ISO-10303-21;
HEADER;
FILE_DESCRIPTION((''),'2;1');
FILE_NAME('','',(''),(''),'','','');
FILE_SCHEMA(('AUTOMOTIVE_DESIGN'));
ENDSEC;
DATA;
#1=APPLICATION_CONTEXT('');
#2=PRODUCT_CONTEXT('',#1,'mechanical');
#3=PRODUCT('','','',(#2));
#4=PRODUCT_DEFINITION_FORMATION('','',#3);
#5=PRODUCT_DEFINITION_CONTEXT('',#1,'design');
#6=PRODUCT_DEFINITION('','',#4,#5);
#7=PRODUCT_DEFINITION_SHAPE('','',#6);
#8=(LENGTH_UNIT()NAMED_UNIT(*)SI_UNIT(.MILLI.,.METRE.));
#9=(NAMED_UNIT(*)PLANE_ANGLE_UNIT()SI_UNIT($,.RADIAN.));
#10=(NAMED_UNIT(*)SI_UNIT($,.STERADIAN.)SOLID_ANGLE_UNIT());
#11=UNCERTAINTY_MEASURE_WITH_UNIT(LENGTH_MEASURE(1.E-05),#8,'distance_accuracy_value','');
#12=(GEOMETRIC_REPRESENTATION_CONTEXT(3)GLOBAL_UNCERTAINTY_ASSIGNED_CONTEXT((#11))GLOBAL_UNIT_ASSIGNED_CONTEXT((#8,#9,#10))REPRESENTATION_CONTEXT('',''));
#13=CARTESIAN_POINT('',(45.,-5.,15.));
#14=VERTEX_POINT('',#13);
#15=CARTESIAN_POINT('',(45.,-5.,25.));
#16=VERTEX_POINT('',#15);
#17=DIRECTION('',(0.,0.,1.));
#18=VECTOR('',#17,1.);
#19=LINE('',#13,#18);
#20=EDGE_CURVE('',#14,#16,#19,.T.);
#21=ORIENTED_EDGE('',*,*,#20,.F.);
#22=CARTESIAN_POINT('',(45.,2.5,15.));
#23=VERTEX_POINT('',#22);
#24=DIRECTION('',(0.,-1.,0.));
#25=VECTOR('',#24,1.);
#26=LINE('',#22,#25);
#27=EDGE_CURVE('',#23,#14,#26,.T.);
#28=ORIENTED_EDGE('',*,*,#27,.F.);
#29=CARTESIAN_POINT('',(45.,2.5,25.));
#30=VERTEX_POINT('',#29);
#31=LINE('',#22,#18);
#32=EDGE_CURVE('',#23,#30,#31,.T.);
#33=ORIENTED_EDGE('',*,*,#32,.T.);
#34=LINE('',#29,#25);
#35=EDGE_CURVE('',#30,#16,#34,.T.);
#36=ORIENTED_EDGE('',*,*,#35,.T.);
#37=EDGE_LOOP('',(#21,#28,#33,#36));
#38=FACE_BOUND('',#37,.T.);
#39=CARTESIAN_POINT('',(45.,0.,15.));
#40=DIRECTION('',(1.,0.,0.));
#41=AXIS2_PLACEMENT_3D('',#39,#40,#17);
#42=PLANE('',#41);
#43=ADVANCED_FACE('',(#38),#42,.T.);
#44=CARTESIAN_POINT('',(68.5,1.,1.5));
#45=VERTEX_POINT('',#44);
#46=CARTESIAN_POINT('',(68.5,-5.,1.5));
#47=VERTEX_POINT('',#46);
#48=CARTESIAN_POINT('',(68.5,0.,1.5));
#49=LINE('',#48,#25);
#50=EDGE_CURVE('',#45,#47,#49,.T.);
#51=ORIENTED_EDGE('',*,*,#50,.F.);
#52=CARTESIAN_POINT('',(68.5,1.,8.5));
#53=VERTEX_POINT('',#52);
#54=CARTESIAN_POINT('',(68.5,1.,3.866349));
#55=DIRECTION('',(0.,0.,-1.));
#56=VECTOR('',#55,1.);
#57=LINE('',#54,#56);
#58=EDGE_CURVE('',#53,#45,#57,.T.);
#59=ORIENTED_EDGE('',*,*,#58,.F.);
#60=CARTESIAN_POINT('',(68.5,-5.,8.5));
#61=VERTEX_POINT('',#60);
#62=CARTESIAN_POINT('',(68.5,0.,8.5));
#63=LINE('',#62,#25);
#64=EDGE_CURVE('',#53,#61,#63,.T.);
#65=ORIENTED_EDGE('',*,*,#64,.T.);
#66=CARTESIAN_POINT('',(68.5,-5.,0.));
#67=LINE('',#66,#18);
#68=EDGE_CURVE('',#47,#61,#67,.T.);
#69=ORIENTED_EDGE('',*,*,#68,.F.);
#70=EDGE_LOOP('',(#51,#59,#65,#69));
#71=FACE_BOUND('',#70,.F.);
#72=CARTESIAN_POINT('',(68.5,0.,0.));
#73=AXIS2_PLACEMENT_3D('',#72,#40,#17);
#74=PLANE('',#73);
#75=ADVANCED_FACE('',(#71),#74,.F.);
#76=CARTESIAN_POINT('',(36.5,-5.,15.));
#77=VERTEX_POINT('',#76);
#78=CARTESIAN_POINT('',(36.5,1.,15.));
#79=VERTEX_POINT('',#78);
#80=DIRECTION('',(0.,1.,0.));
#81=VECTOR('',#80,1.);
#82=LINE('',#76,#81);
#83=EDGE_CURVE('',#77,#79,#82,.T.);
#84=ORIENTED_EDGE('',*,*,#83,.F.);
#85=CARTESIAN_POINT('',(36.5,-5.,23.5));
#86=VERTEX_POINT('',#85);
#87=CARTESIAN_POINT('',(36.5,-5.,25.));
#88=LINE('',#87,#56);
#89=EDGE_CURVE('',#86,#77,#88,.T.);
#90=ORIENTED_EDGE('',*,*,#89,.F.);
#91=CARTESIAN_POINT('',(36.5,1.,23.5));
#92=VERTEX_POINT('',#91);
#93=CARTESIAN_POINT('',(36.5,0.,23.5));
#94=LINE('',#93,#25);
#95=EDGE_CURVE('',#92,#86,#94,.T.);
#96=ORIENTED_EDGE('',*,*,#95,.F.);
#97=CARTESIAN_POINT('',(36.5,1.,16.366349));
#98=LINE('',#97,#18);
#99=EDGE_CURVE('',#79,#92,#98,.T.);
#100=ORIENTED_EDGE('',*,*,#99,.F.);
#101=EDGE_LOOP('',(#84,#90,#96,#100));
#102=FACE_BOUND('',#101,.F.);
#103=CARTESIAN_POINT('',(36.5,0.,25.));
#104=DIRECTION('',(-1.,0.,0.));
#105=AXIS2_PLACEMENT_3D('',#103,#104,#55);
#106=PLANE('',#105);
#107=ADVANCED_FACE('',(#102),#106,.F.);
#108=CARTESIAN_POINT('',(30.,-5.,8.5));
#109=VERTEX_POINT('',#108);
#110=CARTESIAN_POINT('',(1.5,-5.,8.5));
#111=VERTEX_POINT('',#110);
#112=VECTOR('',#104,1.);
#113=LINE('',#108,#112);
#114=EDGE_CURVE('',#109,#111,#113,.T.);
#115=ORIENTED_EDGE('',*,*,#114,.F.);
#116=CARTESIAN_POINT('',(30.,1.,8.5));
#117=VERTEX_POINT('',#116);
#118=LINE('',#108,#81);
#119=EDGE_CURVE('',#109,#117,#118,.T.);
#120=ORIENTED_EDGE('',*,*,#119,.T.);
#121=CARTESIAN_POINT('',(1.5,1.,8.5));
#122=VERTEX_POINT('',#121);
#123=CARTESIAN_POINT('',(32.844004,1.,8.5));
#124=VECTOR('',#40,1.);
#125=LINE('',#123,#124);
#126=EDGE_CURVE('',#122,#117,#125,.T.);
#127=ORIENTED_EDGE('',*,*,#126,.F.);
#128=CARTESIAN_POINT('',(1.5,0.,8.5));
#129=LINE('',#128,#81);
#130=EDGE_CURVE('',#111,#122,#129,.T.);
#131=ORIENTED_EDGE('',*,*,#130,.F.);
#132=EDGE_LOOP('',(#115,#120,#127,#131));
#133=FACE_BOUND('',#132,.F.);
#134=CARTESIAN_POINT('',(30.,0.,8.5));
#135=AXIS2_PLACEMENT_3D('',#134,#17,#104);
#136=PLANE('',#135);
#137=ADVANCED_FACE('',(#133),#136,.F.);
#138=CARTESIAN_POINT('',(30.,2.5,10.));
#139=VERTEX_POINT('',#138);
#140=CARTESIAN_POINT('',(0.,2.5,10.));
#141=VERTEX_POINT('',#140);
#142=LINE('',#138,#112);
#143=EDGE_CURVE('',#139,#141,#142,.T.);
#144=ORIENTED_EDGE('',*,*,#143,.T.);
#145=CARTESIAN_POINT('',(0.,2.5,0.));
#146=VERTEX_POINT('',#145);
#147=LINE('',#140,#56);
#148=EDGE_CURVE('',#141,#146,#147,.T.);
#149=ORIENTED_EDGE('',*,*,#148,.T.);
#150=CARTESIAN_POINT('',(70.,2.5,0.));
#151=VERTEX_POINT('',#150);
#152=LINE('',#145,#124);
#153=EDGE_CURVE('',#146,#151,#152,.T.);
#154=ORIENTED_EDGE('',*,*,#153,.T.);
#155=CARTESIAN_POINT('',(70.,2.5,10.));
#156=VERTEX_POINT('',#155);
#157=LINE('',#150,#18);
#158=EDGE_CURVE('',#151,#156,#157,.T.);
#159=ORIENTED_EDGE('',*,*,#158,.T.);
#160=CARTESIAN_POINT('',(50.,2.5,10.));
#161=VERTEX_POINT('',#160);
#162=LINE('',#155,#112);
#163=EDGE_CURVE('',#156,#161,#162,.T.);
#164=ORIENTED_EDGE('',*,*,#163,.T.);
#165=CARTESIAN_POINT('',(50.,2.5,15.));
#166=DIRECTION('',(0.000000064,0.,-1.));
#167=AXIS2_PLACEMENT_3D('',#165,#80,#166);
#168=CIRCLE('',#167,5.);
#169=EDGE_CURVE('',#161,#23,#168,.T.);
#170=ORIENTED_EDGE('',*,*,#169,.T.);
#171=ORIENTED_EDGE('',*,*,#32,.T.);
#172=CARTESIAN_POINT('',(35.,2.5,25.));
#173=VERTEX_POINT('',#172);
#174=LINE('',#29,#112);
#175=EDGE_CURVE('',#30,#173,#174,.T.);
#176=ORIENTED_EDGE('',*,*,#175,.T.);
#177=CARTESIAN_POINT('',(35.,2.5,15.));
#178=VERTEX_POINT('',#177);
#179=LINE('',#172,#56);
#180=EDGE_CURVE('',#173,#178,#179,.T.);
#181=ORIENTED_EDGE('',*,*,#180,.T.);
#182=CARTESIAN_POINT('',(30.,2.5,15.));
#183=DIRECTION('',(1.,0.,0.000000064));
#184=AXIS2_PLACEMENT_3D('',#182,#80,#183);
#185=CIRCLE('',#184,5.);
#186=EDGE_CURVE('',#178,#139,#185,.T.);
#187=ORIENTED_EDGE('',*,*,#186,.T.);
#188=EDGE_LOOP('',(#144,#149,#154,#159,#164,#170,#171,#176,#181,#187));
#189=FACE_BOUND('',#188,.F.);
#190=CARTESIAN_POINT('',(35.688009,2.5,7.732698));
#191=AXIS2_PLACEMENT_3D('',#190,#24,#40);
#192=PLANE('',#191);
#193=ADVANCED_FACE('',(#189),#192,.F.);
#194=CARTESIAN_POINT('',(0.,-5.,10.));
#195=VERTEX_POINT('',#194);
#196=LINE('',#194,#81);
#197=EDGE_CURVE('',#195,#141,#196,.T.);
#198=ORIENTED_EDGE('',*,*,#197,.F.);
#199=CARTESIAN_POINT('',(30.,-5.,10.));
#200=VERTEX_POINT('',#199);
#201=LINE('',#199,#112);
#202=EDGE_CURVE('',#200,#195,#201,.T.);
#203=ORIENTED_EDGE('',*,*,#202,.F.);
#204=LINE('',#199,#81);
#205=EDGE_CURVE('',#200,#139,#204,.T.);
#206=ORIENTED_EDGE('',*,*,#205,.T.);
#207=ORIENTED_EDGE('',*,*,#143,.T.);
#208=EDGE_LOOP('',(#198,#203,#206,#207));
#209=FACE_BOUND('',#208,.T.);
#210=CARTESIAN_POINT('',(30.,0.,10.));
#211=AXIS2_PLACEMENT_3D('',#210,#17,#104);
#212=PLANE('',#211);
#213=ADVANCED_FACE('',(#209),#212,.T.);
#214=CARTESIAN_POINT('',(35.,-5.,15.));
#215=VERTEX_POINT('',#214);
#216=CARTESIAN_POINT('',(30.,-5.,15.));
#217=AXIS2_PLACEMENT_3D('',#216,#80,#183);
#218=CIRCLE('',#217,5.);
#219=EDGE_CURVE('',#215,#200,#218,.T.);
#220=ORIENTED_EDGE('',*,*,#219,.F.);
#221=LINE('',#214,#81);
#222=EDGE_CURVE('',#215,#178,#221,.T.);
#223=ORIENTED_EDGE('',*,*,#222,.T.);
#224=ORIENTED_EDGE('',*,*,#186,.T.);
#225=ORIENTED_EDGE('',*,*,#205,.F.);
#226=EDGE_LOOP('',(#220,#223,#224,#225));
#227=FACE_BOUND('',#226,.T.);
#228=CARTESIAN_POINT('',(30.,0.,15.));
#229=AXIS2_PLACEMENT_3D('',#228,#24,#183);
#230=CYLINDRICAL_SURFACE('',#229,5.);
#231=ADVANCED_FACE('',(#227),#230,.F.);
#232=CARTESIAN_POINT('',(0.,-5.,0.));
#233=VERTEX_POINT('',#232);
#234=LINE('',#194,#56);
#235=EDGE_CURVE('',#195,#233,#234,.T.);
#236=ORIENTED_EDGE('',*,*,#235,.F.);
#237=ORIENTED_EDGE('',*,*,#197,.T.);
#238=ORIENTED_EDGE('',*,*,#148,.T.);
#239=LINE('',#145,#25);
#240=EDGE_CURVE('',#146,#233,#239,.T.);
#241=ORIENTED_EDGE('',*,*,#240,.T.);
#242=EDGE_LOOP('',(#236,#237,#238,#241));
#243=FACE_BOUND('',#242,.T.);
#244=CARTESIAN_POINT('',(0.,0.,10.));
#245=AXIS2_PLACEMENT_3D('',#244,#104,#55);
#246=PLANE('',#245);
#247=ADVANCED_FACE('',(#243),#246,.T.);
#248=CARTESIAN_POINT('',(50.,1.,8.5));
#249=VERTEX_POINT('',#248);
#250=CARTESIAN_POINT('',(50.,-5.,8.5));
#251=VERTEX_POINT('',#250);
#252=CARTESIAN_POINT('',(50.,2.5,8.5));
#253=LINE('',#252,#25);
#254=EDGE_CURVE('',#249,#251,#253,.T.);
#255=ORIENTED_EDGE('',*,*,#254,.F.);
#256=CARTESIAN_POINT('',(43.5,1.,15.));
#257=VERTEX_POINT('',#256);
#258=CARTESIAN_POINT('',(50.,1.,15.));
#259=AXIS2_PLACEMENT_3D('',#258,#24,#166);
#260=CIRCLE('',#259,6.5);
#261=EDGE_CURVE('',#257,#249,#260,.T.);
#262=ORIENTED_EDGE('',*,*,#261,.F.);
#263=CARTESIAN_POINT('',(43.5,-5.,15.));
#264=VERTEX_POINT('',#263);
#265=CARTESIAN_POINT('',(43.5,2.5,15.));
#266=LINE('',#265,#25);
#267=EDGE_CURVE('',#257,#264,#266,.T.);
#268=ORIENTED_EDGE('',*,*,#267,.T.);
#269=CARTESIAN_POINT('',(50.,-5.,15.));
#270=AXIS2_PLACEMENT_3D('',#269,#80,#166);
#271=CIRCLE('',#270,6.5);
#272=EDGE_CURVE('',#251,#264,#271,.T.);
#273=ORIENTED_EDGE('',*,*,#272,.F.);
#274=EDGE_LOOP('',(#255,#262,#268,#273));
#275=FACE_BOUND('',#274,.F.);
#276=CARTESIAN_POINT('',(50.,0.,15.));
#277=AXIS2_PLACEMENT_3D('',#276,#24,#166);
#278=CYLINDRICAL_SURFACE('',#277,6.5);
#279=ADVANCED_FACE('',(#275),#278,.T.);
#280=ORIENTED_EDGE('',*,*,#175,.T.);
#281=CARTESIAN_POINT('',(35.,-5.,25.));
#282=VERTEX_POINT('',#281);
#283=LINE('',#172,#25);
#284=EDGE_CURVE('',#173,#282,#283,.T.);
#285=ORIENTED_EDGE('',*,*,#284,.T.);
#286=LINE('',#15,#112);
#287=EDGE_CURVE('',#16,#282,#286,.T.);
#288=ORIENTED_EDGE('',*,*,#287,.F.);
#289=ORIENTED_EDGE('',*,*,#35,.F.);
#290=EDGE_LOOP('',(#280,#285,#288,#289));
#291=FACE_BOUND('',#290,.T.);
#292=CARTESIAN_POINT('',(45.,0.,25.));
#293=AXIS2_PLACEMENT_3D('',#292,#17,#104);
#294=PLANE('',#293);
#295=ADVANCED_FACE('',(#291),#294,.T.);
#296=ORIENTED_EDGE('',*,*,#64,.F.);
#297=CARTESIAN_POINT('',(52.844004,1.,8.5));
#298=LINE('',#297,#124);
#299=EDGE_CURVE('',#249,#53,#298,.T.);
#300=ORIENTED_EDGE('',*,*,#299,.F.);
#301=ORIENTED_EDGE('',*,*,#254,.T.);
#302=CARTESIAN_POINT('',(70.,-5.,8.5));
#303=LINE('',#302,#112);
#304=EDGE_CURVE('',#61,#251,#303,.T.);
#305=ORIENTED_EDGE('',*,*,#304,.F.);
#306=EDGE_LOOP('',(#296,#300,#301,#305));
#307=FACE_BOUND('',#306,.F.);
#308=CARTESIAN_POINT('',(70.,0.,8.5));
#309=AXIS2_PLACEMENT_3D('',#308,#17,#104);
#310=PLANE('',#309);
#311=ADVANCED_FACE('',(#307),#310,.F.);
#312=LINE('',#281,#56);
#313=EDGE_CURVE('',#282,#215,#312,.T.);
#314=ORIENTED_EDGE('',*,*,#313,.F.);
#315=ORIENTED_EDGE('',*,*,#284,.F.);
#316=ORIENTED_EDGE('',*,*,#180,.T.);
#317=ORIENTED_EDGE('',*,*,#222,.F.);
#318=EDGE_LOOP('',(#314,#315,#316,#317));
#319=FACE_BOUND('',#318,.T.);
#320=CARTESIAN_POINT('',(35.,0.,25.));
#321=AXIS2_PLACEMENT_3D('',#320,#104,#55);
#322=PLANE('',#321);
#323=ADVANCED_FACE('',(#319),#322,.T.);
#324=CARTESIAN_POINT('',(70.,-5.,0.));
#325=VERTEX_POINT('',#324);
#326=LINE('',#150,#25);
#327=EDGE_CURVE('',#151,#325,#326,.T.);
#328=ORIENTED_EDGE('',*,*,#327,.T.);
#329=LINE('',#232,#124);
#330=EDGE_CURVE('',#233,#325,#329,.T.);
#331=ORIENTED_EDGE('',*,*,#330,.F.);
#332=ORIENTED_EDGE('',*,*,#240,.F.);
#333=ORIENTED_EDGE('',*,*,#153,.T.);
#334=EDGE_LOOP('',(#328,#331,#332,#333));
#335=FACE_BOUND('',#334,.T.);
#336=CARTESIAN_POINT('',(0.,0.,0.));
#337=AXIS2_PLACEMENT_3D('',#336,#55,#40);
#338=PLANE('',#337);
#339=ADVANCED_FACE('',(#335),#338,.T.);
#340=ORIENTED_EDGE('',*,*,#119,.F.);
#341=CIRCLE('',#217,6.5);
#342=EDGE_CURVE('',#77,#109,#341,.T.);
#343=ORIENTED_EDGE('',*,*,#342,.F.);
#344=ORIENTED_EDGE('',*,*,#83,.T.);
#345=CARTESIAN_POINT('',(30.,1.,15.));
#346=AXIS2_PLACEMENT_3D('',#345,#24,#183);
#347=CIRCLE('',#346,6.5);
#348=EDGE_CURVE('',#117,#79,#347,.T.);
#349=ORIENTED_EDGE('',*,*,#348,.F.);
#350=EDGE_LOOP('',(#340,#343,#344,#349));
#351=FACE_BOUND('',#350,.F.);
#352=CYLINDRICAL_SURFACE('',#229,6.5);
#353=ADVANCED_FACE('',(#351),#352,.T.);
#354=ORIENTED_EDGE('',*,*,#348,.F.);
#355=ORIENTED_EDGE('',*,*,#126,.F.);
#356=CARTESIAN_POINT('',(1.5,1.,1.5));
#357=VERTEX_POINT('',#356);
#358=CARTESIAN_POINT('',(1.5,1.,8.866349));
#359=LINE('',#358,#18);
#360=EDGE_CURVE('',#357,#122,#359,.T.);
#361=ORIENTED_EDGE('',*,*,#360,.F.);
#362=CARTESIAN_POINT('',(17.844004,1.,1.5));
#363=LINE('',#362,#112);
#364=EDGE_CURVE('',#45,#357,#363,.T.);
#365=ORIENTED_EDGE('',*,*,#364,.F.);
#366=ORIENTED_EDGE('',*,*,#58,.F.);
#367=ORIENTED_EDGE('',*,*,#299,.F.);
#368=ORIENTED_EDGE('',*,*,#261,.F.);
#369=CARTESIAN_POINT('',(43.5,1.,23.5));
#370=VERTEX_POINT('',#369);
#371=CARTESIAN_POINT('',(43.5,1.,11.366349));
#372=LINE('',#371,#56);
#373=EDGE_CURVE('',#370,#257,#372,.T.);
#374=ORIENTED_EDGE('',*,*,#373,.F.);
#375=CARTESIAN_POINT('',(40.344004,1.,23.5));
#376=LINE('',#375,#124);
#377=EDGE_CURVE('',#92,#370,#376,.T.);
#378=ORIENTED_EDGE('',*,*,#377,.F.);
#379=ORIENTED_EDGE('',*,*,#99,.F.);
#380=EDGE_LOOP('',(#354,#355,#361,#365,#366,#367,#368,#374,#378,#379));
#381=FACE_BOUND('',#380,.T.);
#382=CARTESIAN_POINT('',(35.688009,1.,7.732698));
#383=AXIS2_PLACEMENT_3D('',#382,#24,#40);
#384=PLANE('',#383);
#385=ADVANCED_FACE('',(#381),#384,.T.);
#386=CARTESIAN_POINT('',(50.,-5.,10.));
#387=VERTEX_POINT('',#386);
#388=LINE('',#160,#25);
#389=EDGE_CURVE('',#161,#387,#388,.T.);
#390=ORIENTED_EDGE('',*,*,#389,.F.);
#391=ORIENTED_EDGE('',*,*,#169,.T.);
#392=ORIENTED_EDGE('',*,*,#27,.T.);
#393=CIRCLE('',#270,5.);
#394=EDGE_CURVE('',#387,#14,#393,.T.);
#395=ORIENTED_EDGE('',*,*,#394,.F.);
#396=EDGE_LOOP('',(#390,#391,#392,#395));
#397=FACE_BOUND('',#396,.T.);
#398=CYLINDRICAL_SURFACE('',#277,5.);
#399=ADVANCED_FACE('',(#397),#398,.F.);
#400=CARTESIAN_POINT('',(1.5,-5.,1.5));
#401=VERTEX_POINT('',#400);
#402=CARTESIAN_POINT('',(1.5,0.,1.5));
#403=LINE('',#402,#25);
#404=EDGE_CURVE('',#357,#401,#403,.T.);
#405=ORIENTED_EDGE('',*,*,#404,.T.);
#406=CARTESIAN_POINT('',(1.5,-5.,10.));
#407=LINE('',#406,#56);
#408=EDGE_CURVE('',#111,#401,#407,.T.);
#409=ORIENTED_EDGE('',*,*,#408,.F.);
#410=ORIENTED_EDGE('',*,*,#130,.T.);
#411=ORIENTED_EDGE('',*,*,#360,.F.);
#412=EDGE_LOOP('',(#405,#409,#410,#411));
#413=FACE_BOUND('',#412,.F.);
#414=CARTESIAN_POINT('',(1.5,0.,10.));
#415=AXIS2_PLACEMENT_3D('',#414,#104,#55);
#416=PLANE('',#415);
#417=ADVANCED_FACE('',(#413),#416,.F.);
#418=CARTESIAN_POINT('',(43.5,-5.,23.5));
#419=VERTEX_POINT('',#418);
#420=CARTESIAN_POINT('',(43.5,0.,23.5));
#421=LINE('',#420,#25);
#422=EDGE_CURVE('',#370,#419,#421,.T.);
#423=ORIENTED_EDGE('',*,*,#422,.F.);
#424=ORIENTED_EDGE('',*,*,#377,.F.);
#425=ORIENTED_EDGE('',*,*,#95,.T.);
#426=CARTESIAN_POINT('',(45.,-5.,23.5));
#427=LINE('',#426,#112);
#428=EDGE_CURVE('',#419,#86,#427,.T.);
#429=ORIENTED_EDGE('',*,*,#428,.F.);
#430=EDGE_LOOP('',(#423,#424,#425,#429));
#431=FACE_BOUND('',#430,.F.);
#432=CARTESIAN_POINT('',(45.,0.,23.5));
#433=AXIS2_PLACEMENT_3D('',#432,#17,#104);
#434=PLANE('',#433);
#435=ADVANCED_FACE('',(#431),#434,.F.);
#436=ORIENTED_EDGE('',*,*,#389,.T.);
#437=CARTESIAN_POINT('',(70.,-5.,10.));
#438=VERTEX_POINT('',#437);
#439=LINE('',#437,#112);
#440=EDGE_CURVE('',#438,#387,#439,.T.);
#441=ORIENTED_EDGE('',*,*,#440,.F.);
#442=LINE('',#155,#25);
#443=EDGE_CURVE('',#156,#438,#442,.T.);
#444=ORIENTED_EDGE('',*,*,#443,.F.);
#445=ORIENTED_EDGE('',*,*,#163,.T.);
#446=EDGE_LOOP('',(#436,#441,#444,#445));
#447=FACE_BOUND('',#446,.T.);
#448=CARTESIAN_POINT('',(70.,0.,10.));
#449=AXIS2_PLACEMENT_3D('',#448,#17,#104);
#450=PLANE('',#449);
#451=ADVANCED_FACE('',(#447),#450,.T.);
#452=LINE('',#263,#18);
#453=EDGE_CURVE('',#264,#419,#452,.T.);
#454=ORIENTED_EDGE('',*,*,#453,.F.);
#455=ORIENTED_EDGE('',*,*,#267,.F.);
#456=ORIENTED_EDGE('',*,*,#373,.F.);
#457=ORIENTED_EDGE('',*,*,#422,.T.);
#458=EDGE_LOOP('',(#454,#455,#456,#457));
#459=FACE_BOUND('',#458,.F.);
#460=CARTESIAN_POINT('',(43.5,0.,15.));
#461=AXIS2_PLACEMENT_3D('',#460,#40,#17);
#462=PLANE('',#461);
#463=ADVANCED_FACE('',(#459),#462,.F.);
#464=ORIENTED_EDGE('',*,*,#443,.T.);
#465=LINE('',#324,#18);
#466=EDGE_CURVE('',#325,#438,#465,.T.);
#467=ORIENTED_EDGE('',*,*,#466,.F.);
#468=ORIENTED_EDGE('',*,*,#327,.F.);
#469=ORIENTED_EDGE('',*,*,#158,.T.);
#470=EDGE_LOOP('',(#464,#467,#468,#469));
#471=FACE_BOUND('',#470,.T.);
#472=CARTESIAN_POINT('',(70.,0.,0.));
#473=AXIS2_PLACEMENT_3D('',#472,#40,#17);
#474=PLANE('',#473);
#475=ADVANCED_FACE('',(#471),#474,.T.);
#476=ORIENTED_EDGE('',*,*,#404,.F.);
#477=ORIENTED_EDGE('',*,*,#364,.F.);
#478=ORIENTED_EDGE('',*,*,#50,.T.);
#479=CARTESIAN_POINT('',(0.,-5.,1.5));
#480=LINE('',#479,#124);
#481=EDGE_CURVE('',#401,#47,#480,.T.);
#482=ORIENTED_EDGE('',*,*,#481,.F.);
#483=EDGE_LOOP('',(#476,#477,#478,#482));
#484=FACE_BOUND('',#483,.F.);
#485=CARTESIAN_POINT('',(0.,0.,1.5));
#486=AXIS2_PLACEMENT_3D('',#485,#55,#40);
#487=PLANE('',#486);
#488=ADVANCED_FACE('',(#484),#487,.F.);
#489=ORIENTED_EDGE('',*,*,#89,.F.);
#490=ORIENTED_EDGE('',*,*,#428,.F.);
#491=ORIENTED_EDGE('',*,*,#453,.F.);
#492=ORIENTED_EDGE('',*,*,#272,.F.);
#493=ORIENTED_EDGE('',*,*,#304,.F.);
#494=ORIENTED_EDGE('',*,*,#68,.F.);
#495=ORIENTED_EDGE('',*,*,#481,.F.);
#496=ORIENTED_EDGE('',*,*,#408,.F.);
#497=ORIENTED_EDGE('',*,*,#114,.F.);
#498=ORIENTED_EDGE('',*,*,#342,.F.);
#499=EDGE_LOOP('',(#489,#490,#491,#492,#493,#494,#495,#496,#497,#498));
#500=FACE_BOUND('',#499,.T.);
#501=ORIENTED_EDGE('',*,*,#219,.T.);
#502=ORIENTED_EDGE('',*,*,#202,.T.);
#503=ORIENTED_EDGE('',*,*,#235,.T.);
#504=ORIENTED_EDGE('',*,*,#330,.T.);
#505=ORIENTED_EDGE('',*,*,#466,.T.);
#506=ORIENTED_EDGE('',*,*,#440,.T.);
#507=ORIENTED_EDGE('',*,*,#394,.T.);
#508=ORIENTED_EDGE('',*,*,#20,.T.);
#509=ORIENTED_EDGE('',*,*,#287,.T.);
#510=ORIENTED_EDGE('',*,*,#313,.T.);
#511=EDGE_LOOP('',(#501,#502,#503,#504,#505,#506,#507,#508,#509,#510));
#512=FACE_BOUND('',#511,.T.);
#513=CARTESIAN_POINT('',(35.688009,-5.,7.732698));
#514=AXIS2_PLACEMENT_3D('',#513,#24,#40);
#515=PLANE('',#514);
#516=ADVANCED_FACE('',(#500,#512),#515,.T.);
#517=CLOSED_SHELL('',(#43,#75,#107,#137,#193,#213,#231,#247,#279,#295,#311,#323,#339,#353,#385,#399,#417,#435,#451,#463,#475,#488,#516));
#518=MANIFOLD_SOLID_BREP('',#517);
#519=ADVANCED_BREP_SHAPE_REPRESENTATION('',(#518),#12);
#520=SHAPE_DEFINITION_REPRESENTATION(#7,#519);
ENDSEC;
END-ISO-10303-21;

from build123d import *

# Parameters (mm, degrees)
F2_DEPTH = 5
F3_DEPTH = 2.5
F4_T     = -1.5


with BuildPart() as f2:
    # F0 (on Front) → F2 (new body)
    with BuildSketch(Plane.XZ):
        with BuildLine():
            Line((0, 10), (0, 0))
            Line((0, 0), (70, 0))
            Line((70, 0), (70, 10))
            Line((70, 10), (50, 10))
            ThreePointArc((50, 10), (46.464466, 11.464466), (45, 15))
            Line((45, 15), (45, 25))
            Line((45, 25), (35, 25))
            Line((35, 25), (35, 15))
            ThreePointArc((35, 15), (33.535534, 11.464466), (30, 10))
            Line((30, 10), (0, 10))
        make_face()
    extrude(amount=F2_DEPTH)

    # F0 (on Front) → F3 (join, symmetric)
    with BuildSketch(Plane.XZ):
        with BuildLine():
            Line((0, 10), (0, 0))
            Line((0, 0), (70, 0))
            Line((70, 0), (70, 10))
            Line((70, 10), (50, 10))
            ThreePointArc((50, 10), (46.464466, 11.464466), (45, 15))
            Line((45, 15), (45, 25))
            Line((45, 25), (35, 25))
            Line((35, 25), (35, 15))
            ThreePointArc((35, 15), (33.535534, 11.464466), (30, 10))
            Line((30, 10), (0, 10))
        make_face()
    extrude(amount=F3_DEPTH, both=True)

    # F4
    f4_openings = [f2.faces().sort_by_distance(p)[0] for p in [
        (35.933685, -5, 7.254637),
    ]]
    offset(amount=F4_T, openings=f4_openings)


solid = f2.part
